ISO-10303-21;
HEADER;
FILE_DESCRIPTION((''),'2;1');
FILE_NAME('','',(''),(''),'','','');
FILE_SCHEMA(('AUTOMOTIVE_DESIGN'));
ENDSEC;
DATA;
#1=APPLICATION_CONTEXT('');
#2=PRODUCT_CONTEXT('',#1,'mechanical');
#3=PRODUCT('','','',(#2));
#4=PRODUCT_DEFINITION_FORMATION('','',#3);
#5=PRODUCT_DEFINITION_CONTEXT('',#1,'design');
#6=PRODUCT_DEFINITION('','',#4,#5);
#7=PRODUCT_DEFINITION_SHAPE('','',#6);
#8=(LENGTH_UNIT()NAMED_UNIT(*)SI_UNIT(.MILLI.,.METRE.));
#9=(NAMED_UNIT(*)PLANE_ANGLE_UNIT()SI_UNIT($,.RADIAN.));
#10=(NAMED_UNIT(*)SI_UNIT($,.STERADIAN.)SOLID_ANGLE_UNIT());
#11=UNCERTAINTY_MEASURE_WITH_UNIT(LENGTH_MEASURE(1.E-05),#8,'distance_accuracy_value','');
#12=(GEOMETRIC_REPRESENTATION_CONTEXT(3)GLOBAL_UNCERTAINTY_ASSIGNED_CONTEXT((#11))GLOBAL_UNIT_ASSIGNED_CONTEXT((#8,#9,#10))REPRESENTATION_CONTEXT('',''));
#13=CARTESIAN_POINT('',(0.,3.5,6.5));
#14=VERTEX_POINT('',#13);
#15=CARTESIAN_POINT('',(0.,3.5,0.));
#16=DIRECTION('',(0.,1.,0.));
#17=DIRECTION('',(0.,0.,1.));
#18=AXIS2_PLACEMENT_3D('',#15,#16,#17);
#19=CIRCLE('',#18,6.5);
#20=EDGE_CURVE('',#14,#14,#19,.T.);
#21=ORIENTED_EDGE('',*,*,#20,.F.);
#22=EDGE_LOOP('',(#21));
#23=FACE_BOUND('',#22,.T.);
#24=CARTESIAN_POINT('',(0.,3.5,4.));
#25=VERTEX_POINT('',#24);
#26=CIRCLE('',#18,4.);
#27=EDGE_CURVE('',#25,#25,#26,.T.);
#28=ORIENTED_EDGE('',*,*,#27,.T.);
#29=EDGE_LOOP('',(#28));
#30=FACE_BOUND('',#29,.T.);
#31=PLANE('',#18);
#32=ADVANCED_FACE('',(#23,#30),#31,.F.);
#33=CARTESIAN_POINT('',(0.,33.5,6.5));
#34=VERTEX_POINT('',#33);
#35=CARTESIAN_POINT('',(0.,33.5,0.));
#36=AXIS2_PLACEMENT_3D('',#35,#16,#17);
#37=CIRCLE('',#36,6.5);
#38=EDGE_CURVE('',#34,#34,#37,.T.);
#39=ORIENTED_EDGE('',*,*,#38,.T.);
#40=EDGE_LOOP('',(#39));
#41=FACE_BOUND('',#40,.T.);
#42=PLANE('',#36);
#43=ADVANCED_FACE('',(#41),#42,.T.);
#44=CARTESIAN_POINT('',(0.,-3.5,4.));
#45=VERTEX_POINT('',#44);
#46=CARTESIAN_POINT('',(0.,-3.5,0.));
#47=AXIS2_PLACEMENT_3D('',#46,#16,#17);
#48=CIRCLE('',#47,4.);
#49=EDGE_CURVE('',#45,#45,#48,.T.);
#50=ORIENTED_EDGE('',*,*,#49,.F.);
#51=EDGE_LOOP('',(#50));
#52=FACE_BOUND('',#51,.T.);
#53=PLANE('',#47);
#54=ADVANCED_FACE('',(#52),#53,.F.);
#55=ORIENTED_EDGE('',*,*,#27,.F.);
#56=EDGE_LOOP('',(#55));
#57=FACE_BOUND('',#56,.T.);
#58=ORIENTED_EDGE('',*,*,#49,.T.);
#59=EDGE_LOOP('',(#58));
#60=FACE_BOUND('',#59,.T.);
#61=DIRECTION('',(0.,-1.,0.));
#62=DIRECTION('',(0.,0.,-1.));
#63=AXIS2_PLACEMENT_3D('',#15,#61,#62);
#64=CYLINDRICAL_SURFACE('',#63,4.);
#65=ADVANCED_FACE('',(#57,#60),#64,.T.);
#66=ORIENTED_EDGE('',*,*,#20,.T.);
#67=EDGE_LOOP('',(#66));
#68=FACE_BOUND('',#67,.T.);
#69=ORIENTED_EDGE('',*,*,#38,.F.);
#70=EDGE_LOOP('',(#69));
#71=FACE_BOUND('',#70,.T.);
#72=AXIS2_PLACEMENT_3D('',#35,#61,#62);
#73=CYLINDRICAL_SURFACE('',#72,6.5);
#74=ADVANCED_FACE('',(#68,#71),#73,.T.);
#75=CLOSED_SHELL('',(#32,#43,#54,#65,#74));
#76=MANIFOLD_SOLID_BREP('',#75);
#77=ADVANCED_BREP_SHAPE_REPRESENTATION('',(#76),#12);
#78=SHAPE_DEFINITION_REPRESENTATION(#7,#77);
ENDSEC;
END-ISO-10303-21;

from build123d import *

# Parameters (mm, degrees)
SKETCH1_R           = 4
BOSS_EXTRUDE1_DEPTH = 3.5
SKETCH2_R           = 6.5
BOSS_EXTRUDE2_DEPTH = 30


with BuildPart() as part:
    # Sketch1 → Boss-Extrude1 (new body, symmetric)
    with BuildSketch(Plane(origin=(0, 0, 0), x_dir=(1, 0, 0), z_dir=(0, 1, 0))):
        Circle(SKETCH1_R)
    extrude(amount=BOSS_EXTRUDE1_DEPTH, both=True)

    # Sketch2 → Boss-Extrude2 (add)
    with BuildSketch(Plane(origin=(0, 3.5, 0), x_dir=(1, 0, 0), z_dir=(0, 1, 0))):
        Circle(SKETCH2_R)
    extrude(amount=BOSS_EXTRUDE2_DEPTH)


solid = part.part
